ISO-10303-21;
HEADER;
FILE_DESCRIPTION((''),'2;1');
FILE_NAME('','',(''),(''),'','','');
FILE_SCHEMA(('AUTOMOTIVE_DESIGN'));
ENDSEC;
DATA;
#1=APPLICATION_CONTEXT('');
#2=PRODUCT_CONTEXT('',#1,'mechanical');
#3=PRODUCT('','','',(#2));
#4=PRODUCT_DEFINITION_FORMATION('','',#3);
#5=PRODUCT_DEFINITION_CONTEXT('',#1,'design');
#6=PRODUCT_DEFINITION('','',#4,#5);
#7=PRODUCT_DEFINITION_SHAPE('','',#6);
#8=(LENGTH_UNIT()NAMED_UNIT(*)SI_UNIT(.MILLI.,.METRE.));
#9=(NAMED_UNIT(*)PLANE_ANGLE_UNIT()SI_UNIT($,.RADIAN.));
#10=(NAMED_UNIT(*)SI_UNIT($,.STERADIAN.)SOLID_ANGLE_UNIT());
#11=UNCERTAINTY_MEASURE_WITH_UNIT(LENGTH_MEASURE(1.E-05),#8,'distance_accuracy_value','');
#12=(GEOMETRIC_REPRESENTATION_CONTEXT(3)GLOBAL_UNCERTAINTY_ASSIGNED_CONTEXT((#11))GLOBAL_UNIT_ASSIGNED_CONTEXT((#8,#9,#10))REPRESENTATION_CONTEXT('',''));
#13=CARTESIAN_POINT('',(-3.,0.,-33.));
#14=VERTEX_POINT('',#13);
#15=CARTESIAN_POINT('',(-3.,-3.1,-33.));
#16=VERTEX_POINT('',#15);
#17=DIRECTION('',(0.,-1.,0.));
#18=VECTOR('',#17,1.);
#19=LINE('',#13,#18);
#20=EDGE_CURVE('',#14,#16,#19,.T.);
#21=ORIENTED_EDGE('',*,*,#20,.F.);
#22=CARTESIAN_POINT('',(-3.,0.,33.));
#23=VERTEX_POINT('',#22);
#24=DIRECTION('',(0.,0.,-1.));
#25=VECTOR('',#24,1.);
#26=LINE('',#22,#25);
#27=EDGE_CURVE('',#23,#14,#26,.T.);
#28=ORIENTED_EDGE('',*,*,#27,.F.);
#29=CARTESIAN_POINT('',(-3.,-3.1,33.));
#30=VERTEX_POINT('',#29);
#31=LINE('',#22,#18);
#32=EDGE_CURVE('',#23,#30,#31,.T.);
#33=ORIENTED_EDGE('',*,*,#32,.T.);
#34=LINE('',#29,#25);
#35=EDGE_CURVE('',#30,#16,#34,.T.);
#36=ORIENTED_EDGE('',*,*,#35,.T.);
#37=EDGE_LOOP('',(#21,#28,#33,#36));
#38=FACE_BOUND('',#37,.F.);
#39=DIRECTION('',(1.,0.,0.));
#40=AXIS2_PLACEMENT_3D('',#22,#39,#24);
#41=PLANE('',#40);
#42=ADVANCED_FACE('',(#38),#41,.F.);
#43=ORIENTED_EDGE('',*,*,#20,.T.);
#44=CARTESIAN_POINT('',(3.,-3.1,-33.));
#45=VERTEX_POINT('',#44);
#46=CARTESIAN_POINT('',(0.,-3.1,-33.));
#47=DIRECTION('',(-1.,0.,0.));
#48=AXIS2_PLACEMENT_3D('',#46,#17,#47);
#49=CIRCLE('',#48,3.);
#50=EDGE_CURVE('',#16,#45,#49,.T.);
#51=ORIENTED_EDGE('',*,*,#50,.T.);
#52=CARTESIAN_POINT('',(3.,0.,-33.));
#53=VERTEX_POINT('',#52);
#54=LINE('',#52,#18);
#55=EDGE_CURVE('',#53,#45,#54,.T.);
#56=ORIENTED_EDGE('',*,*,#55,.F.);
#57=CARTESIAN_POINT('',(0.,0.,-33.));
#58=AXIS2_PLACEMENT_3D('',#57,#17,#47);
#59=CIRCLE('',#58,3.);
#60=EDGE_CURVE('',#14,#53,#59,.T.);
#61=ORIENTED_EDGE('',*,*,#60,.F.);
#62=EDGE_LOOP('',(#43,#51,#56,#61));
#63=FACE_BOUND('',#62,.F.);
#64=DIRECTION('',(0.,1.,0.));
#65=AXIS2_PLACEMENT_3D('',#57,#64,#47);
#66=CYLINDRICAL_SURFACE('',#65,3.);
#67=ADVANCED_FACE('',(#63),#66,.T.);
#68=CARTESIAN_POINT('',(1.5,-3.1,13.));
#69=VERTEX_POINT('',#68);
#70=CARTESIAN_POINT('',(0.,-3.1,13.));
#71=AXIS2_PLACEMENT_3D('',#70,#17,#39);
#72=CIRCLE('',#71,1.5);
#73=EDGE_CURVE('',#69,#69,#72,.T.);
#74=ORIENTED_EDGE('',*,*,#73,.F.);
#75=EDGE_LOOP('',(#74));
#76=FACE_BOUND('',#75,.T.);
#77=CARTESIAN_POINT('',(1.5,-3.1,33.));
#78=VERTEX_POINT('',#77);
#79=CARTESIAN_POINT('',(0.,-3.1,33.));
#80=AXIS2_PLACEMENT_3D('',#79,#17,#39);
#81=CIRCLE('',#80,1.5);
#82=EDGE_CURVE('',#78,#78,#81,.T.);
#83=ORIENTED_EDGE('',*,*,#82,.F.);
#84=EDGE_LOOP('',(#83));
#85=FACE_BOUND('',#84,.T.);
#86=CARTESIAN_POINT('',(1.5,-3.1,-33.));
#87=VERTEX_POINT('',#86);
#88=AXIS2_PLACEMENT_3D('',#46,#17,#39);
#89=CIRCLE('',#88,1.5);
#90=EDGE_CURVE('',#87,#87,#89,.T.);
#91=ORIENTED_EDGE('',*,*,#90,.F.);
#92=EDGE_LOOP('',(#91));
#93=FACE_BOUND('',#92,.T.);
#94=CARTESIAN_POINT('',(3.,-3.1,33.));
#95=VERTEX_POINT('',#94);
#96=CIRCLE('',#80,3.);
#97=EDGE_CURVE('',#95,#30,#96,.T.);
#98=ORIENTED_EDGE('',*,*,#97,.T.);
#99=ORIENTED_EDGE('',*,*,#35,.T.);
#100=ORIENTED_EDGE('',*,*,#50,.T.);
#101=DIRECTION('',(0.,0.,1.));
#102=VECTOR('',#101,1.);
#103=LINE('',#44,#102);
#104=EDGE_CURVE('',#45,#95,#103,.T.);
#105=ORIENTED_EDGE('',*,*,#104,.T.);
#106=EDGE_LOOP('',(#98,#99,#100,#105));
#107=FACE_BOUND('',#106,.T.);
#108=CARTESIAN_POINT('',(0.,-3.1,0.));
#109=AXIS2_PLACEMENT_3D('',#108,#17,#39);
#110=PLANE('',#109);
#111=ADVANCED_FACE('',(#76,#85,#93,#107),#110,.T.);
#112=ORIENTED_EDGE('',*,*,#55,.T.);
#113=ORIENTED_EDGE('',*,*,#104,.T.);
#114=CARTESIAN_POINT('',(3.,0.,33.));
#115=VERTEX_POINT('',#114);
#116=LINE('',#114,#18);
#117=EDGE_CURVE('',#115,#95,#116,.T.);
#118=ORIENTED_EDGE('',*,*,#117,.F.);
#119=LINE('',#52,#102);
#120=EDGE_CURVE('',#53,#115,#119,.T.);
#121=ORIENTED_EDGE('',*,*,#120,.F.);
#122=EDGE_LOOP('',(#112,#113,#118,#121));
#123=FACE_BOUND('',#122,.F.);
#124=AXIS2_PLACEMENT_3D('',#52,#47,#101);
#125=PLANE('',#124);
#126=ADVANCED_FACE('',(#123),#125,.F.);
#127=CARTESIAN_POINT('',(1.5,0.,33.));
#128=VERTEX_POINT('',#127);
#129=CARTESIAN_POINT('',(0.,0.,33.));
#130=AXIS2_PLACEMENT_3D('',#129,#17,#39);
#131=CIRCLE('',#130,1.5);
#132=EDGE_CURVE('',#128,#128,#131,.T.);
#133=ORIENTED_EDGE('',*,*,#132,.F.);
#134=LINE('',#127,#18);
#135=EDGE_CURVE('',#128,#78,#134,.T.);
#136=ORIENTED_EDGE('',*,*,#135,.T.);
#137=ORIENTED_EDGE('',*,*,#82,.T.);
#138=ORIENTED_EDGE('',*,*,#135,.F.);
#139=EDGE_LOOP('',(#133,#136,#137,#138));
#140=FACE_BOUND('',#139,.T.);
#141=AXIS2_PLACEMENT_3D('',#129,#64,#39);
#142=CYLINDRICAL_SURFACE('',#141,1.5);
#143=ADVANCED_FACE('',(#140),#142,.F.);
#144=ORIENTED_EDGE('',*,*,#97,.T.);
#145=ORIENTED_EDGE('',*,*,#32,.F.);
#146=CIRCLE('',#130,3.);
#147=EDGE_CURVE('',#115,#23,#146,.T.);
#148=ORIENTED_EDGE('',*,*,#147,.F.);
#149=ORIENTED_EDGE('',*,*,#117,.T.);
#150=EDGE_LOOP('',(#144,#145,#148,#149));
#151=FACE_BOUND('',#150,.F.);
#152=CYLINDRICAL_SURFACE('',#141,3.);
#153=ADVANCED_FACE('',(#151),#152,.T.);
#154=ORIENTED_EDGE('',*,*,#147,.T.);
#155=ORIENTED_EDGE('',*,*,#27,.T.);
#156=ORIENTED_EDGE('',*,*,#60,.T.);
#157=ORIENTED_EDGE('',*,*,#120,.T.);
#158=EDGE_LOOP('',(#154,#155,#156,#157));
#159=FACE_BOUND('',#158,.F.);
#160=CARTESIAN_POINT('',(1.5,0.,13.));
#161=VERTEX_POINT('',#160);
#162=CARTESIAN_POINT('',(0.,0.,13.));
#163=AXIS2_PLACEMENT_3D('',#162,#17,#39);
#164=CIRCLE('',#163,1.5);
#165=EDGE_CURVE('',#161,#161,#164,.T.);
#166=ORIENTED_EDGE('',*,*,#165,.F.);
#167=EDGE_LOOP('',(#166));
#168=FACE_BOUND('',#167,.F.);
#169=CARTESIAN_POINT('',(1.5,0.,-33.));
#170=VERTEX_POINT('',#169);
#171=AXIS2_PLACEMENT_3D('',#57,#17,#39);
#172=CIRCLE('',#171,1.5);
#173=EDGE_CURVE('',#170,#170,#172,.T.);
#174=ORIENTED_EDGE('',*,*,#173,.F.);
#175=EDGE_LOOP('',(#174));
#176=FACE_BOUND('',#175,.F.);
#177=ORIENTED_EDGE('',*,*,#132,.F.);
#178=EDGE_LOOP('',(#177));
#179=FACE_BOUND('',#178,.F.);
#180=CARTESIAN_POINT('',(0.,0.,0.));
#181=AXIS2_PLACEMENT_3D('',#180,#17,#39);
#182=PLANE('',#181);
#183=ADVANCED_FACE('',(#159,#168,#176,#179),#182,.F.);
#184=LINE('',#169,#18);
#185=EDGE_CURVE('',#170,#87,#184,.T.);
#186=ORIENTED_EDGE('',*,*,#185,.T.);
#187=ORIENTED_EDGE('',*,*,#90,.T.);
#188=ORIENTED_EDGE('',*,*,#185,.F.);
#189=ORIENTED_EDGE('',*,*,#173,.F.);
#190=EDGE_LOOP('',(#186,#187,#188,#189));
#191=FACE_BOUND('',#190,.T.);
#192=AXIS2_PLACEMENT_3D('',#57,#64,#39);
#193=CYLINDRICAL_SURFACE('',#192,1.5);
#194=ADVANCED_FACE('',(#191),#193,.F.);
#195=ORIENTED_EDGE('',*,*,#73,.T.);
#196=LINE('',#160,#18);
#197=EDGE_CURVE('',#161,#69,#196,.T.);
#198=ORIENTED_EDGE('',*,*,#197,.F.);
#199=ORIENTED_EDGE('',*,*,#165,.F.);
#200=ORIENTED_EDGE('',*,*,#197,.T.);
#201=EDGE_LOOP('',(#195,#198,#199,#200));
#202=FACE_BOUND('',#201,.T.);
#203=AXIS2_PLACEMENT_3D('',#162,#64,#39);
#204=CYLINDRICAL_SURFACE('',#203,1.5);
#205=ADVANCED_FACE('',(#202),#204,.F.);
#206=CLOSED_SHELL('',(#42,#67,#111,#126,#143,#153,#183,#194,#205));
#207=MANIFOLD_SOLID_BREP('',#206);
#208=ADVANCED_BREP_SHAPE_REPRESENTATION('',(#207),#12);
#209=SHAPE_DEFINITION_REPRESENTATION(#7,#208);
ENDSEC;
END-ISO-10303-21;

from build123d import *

# Parameters (mm, degrees)
F0_R     = 1.5
F1_DEPTH = 3.1


with BuildPart() as f1:
    # F0 (on Front) → F1 (new body)
    with BuildSketch(Plane.XZ):
        with BuildLine():
            Line((3, 0), (3, 33))
            ThreePointArc((3, 33), (0, 36), (-3, 33))
            Line((-3, 33), (-3, 0))
            Line((-3, 0), (-3, -33))
            ThreePointArc((-3, -33), (0, -36), (3, -33))
            Line((3, -33), (3, 0))
        make_face()
        with Locations((0, -33)):
            Circle(F0_R, mode=Mode.SUBTRACT)
        with Locations((0, 13)):
            Circle(F0_R, mode=Mode.SUBTRACT)
        with Locations((0, 33)):
            Circle(F0_R, mode=Mode.SUBTRACT)
    extrude(amount=F1_DEPTH)


solid = f1.part
